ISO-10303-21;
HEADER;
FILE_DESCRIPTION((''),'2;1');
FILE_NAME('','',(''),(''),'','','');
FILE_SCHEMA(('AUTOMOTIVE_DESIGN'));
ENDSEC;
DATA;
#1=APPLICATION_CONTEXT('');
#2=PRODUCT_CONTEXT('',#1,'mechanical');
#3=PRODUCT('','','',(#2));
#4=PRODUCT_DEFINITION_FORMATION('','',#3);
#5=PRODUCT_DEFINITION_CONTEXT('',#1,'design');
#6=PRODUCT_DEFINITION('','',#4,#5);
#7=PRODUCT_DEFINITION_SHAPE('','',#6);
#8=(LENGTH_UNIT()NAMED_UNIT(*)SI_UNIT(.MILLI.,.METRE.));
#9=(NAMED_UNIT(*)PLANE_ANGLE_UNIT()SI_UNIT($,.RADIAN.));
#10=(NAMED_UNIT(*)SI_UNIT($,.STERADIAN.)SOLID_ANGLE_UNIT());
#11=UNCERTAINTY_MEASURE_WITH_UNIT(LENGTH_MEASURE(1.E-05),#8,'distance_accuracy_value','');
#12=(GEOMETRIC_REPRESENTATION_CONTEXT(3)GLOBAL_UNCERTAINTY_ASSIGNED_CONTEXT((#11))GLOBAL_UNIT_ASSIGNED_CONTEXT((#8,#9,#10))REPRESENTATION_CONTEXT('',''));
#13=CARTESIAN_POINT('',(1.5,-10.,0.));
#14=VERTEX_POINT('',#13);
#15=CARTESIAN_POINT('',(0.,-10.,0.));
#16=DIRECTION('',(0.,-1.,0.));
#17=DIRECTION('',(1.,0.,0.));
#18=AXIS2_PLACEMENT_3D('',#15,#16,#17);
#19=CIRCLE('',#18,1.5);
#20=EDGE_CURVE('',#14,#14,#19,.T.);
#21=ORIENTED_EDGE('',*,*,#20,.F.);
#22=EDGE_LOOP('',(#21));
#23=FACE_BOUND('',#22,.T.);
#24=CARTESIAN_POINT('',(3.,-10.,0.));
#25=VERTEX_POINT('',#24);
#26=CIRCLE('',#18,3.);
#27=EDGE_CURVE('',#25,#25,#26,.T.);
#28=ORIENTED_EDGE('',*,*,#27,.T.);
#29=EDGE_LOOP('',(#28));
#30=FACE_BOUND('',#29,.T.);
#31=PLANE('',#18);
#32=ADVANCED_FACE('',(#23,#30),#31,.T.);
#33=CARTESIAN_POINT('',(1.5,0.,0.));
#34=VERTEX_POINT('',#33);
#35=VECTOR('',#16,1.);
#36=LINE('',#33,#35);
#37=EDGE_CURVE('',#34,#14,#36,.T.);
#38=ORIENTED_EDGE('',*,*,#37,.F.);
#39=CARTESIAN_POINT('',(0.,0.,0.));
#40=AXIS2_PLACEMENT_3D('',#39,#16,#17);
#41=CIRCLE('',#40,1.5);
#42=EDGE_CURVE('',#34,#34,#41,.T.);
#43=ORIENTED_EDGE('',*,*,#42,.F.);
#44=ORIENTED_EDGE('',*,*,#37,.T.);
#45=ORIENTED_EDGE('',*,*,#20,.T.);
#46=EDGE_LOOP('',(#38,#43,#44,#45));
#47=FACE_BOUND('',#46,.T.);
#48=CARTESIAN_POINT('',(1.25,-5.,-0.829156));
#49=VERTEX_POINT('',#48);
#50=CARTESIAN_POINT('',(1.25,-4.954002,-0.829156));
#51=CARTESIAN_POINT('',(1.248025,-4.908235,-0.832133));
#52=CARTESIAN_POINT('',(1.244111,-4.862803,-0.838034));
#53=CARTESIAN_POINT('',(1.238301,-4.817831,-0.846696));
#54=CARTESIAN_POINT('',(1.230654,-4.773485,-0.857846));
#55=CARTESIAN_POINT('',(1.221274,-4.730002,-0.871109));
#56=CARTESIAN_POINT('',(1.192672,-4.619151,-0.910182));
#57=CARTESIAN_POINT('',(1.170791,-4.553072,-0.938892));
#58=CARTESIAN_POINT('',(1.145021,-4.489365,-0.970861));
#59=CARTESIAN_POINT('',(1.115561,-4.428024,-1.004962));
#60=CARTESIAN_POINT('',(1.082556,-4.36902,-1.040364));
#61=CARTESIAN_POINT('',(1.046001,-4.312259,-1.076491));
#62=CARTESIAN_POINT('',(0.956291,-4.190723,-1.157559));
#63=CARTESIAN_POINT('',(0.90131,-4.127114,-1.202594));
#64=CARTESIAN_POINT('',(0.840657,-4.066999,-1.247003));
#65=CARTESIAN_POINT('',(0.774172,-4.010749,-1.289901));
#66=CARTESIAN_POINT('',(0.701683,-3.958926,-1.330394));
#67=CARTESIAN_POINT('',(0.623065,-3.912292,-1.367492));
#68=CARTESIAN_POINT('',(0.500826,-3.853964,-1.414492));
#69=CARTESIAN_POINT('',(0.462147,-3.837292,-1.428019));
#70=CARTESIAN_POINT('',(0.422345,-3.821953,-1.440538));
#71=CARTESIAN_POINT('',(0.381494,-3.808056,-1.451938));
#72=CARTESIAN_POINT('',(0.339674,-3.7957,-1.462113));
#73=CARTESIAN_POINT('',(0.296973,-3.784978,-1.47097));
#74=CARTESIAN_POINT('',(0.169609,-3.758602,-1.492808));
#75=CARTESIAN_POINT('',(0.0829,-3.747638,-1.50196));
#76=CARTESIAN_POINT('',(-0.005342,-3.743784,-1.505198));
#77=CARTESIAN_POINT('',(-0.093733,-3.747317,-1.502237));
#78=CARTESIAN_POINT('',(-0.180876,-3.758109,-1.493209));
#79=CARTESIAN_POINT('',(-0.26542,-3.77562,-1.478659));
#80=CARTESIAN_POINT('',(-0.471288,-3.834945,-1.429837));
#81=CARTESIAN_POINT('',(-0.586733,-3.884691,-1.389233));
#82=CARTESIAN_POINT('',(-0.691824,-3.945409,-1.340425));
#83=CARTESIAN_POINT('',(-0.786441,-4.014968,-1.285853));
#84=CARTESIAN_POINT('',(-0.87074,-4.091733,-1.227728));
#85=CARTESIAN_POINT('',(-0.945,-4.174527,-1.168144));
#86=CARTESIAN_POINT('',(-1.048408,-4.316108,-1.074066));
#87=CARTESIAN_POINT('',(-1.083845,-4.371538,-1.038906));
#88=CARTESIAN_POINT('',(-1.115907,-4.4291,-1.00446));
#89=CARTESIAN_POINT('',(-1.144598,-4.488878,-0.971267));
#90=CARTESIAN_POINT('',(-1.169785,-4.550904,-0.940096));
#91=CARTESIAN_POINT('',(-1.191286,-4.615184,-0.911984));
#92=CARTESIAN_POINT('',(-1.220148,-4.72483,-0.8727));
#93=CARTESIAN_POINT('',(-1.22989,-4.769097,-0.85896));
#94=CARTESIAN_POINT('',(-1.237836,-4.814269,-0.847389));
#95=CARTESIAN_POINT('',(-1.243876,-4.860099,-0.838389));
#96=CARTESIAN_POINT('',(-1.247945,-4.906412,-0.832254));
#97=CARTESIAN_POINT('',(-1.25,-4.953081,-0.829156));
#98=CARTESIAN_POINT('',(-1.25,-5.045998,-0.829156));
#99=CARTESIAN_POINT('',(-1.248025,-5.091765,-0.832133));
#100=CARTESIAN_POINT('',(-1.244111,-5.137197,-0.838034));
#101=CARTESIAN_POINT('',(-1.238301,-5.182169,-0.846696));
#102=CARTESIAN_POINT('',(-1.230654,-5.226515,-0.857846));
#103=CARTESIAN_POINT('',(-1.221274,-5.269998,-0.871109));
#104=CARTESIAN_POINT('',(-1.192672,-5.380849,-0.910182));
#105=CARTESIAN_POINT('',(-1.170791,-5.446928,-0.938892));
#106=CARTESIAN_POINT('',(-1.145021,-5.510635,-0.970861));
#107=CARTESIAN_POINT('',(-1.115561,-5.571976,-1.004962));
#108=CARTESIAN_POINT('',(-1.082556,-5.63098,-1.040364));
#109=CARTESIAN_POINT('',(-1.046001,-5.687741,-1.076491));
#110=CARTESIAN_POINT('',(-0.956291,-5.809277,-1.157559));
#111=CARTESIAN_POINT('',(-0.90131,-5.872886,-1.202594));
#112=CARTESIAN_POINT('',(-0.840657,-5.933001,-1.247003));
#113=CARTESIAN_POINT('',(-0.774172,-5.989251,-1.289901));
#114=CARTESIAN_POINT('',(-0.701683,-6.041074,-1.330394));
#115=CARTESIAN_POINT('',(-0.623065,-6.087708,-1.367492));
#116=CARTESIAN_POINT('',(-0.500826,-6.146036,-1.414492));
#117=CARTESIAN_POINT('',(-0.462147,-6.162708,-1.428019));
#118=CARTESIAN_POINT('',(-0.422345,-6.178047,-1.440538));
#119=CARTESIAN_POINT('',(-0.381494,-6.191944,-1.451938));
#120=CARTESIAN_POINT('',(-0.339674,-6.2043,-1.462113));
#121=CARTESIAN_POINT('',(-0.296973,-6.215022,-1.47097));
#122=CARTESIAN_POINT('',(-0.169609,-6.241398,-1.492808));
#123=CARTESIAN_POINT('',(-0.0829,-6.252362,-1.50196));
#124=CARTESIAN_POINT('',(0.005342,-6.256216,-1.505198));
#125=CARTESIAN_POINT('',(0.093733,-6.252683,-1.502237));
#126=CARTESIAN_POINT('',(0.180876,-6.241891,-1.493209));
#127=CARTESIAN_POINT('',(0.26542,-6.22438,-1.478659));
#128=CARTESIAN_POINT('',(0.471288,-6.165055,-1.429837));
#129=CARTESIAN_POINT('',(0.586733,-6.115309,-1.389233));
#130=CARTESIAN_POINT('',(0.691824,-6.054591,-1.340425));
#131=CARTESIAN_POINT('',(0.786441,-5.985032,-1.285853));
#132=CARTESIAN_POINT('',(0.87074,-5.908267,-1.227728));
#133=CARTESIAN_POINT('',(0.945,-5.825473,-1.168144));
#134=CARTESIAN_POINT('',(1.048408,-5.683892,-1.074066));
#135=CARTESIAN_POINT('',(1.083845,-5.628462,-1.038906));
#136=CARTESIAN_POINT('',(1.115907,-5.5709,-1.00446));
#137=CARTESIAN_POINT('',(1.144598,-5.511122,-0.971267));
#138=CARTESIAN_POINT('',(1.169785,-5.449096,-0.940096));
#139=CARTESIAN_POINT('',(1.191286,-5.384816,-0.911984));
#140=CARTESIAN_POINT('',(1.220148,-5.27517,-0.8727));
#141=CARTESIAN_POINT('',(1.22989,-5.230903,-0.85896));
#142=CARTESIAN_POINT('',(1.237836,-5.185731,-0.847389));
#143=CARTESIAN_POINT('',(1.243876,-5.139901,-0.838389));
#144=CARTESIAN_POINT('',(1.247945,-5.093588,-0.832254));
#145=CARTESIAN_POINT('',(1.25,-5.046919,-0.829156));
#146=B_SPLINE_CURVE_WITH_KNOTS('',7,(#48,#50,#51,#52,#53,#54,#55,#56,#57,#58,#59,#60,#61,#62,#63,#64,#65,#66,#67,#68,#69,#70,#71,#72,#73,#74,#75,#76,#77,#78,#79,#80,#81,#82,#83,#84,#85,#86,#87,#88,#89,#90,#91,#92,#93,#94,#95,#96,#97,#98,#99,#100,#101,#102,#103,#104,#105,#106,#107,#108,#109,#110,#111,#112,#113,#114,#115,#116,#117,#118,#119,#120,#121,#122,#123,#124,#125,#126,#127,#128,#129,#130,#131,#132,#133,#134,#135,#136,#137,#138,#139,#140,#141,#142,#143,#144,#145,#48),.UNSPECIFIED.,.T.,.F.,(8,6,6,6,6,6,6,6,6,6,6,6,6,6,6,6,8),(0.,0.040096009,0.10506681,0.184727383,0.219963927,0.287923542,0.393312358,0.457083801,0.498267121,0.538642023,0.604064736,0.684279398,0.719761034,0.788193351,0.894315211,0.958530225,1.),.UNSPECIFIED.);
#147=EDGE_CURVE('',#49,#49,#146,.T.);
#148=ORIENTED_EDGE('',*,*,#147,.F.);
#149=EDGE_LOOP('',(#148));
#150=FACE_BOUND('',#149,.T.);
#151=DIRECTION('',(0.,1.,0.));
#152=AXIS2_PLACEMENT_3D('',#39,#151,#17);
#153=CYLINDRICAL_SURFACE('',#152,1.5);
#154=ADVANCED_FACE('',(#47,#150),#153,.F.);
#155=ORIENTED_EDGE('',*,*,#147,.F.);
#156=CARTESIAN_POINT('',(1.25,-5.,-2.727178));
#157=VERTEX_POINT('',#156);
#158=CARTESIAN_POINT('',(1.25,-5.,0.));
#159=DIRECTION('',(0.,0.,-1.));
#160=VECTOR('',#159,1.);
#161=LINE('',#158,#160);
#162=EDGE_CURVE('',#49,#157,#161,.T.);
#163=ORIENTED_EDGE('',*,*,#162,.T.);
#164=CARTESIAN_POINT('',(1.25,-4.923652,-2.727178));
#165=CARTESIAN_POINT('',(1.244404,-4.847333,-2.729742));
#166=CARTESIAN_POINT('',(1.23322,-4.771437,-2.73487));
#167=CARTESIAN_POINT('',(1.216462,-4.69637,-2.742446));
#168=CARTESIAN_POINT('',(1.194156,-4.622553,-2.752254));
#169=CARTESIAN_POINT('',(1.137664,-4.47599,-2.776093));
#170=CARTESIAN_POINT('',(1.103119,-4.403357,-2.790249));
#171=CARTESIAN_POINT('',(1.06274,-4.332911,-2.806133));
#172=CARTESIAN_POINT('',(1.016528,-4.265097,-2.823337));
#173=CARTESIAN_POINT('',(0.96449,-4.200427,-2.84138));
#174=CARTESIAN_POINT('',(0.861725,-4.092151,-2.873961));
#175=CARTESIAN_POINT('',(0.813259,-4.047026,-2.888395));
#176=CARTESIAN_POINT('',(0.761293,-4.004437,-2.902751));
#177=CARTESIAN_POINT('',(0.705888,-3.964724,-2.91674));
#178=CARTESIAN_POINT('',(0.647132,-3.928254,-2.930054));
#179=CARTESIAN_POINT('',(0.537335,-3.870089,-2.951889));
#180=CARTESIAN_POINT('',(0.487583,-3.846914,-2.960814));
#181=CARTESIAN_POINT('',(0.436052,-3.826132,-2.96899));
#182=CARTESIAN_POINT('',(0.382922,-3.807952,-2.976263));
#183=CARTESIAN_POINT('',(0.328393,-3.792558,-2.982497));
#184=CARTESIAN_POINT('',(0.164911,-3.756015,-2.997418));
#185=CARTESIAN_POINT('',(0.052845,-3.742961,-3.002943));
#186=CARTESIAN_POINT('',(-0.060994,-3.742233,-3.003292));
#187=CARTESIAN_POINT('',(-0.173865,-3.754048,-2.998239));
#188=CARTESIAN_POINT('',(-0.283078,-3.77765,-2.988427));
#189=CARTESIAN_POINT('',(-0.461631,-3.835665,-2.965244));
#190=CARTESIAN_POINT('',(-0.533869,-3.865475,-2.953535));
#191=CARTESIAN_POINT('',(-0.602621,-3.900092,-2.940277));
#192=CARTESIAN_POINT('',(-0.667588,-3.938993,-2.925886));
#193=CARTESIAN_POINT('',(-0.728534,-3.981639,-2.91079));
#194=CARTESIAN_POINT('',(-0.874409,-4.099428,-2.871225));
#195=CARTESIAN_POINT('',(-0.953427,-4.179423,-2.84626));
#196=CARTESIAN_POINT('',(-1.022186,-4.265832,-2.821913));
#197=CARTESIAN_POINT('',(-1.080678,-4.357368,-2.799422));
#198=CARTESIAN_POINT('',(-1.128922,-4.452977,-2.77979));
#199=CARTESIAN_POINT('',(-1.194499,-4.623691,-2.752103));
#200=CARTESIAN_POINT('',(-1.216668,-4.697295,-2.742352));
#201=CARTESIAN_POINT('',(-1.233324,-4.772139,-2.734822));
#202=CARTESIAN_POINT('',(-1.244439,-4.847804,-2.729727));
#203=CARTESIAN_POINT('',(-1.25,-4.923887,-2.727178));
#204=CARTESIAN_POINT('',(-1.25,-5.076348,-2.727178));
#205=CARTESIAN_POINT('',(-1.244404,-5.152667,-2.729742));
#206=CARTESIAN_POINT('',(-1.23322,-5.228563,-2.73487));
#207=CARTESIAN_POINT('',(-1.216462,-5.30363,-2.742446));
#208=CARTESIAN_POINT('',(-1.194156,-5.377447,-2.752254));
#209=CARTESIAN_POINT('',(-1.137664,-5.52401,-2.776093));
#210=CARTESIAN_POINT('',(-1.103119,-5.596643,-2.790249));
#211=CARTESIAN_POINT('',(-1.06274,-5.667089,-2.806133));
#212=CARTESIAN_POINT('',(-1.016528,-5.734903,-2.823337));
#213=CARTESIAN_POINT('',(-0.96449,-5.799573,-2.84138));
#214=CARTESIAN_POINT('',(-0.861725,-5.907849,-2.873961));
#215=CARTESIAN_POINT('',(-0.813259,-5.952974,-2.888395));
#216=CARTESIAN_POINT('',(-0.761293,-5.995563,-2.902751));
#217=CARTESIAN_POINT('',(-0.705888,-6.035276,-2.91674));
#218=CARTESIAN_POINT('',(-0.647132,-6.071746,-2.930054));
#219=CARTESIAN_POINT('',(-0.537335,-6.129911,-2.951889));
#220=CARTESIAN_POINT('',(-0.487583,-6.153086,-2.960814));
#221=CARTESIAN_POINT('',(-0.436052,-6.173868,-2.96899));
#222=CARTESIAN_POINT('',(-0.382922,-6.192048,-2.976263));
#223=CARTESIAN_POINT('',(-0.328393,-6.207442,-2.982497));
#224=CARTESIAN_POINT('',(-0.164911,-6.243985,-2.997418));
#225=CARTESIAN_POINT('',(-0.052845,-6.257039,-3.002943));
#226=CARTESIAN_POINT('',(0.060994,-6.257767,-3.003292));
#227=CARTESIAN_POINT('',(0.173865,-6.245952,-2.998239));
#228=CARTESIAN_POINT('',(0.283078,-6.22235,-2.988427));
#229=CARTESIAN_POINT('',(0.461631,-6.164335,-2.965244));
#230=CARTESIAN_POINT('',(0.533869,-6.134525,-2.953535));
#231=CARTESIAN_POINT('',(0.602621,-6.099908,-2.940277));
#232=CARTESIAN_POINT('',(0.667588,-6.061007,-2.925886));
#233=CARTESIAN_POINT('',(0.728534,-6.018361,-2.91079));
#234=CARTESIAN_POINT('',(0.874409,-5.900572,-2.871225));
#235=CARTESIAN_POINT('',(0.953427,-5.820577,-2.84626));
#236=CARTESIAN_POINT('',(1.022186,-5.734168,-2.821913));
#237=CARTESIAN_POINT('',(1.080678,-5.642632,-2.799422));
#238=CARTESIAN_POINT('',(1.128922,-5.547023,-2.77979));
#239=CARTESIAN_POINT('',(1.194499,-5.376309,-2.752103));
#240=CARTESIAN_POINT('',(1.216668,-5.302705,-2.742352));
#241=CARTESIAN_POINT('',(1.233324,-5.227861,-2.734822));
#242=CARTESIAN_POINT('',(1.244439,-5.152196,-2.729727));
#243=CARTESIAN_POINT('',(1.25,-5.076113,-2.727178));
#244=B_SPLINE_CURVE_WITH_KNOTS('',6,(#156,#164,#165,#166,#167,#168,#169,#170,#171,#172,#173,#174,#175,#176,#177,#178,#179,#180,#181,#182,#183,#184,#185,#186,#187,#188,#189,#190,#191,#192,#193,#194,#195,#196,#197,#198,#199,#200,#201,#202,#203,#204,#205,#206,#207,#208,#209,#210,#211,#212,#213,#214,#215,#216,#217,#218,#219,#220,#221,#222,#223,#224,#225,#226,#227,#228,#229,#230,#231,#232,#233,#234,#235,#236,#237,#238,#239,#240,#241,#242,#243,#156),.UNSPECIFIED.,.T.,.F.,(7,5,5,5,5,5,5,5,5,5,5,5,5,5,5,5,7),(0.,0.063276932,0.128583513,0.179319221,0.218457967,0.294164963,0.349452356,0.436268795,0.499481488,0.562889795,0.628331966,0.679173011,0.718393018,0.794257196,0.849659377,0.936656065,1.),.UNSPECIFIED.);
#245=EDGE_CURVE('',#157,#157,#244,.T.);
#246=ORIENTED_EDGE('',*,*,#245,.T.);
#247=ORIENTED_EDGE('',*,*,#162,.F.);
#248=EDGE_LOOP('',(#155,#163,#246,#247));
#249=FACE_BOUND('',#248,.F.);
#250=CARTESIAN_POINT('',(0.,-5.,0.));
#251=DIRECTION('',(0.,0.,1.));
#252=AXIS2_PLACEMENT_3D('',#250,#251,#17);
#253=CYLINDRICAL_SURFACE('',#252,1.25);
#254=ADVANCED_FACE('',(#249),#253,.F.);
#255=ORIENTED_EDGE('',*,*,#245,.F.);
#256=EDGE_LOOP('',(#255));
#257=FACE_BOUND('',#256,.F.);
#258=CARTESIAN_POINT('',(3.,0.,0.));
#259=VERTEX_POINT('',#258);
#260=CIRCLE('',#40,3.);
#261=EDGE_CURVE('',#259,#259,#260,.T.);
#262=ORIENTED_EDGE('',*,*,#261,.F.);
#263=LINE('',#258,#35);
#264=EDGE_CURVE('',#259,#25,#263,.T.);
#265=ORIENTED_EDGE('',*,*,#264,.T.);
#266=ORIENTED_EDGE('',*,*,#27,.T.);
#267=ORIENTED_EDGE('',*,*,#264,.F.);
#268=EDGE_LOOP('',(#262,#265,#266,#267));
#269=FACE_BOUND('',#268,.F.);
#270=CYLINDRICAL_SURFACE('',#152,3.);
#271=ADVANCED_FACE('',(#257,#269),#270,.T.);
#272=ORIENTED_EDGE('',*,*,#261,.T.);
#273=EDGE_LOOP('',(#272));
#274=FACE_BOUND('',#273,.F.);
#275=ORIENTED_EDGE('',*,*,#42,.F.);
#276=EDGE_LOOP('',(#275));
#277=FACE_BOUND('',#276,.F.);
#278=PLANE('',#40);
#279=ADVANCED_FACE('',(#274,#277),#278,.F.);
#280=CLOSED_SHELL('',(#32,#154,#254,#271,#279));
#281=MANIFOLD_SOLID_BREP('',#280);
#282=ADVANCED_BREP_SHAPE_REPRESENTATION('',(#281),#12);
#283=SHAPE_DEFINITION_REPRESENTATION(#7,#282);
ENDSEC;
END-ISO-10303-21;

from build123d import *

# Parameters (mm, degrees)
F0_R     = 3
F0_R_2   = 1.5
F1_DEPTH = 10
F3_D     = 2.5
F3_DEPTH = 4
F3_TIP   = 0.7510757738


with BuildPart() as f1:
    # F0 (on Front) → F1 (new body)
    with BuildSketch(Plane.XZ):
        Circle(F0_R)
        Circle(F0_R_2, mode=Mode.SUBTRACT)
    extrude(amount=F1_DEPTH)

    # F3 (one way)
    with BuildSketch(Plane.XY):
        with Locations((0, -5)):
            Circle(F3_D / 2)
    extrude(amount=-F3_DEPTH, mode=Mode.SUBTRACT)
    with Locations(Plane.XY):
        with Locations((0, -5)):
            with Locations((0, 0, -(F3_DEPTH + F3_TIP / 2))):  # 118° drill point
                Cone(0, F3_D / 2, F3_TIP, mode=Mode.SUBTRACT)


solid = f1.part
